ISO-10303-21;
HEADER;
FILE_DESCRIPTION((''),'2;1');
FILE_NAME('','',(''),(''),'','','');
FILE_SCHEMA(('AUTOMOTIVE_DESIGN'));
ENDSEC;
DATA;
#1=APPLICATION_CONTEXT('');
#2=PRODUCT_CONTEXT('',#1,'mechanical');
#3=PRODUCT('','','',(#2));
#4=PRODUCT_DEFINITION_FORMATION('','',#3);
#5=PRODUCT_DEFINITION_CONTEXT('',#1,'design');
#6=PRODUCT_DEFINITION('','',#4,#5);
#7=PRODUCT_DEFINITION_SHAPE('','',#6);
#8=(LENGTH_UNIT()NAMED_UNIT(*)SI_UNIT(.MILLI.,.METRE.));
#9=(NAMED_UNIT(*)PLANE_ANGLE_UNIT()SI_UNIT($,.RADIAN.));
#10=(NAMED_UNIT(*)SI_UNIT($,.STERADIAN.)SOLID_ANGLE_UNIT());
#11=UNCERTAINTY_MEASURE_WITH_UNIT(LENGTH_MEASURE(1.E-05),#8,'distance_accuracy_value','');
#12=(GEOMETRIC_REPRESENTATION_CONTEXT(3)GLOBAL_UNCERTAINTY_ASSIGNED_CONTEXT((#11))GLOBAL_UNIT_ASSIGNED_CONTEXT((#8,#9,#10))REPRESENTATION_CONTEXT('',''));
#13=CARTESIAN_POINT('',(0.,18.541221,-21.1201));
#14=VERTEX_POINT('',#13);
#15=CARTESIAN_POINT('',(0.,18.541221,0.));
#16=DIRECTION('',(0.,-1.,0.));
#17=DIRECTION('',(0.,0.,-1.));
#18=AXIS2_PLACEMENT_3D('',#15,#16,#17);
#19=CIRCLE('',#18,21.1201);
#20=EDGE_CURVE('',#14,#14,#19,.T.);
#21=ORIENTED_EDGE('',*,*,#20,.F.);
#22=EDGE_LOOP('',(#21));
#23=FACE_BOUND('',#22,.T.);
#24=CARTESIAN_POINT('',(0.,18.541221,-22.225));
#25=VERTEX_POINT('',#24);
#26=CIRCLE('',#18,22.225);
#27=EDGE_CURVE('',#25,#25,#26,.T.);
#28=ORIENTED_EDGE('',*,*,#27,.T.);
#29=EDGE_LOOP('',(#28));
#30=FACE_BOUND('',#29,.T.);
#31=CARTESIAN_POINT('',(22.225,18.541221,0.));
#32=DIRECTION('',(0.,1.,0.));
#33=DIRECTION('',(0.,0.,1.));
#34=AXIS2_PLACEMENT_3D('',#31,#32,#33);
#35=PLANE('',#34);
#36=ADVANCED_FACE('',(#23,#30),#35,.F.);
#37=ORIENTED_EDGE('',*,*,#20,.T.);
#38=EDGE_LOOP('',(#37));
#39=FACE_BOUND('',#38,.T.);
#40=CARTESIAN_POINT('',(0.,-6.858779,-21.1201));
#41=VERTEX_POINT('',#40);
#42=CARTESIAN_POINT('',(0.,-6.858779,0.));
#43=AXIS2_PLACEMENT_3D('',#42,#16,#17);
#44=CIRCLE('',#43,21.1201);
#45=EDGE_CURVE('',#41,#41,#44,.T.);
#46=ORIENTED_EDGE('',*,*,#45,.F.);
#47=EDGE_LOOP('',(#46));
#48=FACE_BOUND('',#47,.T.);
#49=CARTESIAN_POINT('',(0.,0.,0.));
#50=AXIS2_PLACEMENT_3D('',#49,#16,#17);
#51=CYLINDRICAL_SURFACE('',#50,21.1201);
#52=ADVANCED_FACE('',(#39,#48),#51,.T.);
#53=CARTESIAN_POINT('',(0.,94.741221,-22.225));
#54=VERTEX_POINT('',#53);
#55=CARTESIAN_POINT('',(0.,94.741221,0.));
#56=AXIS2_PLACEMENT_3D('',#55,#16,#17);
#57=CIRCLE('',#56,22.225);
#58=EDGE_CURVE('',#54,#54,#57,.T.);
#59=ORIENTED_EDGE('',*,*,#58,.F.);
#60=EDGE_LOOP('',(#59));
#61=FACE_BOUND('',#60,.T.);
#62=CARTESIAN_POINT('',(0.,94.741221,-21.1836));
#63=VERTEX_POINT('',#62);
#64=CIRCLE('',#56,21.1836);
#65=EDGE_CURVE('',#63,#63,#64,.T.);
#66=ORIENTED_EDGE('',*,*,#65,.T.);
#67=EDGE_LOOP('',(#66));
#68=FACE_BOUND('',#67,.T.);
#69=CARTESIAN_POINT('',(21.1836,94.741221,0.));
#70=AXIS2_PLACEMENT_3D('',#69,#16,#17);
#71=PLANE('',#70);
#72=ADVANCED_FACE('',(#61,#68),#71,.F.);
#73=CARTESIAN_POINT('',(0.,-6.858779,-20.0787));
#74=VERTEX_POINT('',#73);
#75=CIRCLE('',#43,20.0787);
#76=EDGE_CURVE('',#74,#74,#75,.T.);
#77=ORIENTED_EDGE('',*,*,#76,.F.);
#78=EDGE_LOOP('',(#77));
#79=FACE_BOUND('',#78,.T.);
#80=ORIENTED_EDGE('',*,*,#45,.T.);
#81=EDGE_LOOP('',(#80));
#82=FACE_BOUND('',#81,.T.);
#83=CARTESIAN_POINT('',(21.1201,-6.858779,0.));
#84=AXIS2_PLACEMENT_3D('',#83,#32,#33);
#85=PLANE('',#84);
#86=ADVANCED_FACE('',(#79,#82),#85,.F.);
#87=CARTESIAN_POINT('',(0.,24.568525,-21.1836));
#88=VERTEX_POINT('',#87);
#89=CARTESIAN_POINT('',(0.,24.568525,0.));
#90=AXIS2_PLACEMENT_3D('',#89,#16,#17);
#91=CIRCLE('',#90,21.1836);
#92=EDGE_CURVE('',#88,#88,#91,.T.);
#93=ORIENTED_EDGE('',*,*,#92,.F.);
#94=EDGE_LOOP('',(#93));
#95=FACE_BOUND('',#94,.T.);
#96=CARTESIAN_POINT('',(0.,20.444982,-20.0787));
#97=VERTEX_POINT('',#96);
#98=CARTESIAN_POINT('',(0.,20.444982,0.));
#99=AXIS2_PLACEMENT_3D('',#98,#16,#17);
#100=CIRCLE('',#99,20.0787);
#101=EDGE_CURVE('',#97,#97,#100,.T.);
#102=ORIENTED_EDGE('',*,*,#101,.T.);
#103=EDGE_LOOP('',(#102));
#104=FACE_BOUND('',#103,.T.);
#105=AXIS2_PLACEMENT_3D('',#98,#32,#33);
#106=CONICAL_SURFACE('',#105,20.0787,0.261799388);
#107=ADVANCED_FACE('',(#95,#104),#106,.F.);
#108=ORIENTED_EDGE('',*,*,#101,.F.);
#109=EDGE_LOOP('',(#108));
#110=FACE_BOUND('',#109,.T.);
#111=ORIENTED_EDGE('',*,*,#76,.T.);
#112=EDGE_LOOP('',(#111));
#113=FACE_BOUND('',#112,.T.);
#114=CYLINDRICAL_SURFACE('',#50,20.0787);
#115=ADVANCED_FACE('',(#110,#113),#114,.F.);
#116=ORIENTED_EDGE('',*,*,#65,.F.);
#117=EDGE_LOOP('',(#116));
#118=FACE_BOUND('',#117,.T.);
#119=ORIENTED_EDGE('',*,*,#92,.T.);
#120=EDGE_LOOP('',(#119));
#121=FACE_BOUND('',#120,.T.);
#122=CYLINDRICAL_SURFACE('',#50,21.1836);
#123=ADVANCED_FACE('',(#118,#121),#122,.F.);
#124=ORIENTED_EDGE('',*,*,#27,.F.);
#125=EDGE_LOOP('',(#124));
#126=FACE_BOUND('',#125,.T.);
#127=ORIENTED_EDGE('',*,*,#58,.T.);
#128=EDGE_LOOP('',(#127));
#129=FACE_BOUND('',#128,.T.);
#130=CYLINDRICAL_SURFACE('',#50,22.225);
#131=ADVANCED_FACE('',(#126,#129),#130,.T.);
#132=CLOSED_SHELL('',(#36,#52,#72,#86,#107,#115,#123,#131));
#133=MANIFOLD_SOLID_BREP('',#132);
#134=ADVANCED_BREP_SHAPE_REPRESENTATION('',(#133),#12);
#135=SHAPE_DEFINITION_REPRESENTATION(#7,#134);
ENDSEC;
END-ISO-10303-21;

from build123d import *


with BuildPart() as part:
    # Sketch1 → Revolve1 (revolve)
    with BuildSketch(Plane.XY):
        Polygon((-20.0787, -6.858779284), (-20.0787, 20.444981856), (-21.1836, 24.568524793), (-21.1836, 94.741220716), (-22.225, 94.741220716), (-22.225, 18.541220716), (-21.1201, 18.541220716), (-21.1201, -6.858779284), align=None)
    revolve(axis=Axis((0, 0, 0), (0, 1, 0)))


solid = part.part
